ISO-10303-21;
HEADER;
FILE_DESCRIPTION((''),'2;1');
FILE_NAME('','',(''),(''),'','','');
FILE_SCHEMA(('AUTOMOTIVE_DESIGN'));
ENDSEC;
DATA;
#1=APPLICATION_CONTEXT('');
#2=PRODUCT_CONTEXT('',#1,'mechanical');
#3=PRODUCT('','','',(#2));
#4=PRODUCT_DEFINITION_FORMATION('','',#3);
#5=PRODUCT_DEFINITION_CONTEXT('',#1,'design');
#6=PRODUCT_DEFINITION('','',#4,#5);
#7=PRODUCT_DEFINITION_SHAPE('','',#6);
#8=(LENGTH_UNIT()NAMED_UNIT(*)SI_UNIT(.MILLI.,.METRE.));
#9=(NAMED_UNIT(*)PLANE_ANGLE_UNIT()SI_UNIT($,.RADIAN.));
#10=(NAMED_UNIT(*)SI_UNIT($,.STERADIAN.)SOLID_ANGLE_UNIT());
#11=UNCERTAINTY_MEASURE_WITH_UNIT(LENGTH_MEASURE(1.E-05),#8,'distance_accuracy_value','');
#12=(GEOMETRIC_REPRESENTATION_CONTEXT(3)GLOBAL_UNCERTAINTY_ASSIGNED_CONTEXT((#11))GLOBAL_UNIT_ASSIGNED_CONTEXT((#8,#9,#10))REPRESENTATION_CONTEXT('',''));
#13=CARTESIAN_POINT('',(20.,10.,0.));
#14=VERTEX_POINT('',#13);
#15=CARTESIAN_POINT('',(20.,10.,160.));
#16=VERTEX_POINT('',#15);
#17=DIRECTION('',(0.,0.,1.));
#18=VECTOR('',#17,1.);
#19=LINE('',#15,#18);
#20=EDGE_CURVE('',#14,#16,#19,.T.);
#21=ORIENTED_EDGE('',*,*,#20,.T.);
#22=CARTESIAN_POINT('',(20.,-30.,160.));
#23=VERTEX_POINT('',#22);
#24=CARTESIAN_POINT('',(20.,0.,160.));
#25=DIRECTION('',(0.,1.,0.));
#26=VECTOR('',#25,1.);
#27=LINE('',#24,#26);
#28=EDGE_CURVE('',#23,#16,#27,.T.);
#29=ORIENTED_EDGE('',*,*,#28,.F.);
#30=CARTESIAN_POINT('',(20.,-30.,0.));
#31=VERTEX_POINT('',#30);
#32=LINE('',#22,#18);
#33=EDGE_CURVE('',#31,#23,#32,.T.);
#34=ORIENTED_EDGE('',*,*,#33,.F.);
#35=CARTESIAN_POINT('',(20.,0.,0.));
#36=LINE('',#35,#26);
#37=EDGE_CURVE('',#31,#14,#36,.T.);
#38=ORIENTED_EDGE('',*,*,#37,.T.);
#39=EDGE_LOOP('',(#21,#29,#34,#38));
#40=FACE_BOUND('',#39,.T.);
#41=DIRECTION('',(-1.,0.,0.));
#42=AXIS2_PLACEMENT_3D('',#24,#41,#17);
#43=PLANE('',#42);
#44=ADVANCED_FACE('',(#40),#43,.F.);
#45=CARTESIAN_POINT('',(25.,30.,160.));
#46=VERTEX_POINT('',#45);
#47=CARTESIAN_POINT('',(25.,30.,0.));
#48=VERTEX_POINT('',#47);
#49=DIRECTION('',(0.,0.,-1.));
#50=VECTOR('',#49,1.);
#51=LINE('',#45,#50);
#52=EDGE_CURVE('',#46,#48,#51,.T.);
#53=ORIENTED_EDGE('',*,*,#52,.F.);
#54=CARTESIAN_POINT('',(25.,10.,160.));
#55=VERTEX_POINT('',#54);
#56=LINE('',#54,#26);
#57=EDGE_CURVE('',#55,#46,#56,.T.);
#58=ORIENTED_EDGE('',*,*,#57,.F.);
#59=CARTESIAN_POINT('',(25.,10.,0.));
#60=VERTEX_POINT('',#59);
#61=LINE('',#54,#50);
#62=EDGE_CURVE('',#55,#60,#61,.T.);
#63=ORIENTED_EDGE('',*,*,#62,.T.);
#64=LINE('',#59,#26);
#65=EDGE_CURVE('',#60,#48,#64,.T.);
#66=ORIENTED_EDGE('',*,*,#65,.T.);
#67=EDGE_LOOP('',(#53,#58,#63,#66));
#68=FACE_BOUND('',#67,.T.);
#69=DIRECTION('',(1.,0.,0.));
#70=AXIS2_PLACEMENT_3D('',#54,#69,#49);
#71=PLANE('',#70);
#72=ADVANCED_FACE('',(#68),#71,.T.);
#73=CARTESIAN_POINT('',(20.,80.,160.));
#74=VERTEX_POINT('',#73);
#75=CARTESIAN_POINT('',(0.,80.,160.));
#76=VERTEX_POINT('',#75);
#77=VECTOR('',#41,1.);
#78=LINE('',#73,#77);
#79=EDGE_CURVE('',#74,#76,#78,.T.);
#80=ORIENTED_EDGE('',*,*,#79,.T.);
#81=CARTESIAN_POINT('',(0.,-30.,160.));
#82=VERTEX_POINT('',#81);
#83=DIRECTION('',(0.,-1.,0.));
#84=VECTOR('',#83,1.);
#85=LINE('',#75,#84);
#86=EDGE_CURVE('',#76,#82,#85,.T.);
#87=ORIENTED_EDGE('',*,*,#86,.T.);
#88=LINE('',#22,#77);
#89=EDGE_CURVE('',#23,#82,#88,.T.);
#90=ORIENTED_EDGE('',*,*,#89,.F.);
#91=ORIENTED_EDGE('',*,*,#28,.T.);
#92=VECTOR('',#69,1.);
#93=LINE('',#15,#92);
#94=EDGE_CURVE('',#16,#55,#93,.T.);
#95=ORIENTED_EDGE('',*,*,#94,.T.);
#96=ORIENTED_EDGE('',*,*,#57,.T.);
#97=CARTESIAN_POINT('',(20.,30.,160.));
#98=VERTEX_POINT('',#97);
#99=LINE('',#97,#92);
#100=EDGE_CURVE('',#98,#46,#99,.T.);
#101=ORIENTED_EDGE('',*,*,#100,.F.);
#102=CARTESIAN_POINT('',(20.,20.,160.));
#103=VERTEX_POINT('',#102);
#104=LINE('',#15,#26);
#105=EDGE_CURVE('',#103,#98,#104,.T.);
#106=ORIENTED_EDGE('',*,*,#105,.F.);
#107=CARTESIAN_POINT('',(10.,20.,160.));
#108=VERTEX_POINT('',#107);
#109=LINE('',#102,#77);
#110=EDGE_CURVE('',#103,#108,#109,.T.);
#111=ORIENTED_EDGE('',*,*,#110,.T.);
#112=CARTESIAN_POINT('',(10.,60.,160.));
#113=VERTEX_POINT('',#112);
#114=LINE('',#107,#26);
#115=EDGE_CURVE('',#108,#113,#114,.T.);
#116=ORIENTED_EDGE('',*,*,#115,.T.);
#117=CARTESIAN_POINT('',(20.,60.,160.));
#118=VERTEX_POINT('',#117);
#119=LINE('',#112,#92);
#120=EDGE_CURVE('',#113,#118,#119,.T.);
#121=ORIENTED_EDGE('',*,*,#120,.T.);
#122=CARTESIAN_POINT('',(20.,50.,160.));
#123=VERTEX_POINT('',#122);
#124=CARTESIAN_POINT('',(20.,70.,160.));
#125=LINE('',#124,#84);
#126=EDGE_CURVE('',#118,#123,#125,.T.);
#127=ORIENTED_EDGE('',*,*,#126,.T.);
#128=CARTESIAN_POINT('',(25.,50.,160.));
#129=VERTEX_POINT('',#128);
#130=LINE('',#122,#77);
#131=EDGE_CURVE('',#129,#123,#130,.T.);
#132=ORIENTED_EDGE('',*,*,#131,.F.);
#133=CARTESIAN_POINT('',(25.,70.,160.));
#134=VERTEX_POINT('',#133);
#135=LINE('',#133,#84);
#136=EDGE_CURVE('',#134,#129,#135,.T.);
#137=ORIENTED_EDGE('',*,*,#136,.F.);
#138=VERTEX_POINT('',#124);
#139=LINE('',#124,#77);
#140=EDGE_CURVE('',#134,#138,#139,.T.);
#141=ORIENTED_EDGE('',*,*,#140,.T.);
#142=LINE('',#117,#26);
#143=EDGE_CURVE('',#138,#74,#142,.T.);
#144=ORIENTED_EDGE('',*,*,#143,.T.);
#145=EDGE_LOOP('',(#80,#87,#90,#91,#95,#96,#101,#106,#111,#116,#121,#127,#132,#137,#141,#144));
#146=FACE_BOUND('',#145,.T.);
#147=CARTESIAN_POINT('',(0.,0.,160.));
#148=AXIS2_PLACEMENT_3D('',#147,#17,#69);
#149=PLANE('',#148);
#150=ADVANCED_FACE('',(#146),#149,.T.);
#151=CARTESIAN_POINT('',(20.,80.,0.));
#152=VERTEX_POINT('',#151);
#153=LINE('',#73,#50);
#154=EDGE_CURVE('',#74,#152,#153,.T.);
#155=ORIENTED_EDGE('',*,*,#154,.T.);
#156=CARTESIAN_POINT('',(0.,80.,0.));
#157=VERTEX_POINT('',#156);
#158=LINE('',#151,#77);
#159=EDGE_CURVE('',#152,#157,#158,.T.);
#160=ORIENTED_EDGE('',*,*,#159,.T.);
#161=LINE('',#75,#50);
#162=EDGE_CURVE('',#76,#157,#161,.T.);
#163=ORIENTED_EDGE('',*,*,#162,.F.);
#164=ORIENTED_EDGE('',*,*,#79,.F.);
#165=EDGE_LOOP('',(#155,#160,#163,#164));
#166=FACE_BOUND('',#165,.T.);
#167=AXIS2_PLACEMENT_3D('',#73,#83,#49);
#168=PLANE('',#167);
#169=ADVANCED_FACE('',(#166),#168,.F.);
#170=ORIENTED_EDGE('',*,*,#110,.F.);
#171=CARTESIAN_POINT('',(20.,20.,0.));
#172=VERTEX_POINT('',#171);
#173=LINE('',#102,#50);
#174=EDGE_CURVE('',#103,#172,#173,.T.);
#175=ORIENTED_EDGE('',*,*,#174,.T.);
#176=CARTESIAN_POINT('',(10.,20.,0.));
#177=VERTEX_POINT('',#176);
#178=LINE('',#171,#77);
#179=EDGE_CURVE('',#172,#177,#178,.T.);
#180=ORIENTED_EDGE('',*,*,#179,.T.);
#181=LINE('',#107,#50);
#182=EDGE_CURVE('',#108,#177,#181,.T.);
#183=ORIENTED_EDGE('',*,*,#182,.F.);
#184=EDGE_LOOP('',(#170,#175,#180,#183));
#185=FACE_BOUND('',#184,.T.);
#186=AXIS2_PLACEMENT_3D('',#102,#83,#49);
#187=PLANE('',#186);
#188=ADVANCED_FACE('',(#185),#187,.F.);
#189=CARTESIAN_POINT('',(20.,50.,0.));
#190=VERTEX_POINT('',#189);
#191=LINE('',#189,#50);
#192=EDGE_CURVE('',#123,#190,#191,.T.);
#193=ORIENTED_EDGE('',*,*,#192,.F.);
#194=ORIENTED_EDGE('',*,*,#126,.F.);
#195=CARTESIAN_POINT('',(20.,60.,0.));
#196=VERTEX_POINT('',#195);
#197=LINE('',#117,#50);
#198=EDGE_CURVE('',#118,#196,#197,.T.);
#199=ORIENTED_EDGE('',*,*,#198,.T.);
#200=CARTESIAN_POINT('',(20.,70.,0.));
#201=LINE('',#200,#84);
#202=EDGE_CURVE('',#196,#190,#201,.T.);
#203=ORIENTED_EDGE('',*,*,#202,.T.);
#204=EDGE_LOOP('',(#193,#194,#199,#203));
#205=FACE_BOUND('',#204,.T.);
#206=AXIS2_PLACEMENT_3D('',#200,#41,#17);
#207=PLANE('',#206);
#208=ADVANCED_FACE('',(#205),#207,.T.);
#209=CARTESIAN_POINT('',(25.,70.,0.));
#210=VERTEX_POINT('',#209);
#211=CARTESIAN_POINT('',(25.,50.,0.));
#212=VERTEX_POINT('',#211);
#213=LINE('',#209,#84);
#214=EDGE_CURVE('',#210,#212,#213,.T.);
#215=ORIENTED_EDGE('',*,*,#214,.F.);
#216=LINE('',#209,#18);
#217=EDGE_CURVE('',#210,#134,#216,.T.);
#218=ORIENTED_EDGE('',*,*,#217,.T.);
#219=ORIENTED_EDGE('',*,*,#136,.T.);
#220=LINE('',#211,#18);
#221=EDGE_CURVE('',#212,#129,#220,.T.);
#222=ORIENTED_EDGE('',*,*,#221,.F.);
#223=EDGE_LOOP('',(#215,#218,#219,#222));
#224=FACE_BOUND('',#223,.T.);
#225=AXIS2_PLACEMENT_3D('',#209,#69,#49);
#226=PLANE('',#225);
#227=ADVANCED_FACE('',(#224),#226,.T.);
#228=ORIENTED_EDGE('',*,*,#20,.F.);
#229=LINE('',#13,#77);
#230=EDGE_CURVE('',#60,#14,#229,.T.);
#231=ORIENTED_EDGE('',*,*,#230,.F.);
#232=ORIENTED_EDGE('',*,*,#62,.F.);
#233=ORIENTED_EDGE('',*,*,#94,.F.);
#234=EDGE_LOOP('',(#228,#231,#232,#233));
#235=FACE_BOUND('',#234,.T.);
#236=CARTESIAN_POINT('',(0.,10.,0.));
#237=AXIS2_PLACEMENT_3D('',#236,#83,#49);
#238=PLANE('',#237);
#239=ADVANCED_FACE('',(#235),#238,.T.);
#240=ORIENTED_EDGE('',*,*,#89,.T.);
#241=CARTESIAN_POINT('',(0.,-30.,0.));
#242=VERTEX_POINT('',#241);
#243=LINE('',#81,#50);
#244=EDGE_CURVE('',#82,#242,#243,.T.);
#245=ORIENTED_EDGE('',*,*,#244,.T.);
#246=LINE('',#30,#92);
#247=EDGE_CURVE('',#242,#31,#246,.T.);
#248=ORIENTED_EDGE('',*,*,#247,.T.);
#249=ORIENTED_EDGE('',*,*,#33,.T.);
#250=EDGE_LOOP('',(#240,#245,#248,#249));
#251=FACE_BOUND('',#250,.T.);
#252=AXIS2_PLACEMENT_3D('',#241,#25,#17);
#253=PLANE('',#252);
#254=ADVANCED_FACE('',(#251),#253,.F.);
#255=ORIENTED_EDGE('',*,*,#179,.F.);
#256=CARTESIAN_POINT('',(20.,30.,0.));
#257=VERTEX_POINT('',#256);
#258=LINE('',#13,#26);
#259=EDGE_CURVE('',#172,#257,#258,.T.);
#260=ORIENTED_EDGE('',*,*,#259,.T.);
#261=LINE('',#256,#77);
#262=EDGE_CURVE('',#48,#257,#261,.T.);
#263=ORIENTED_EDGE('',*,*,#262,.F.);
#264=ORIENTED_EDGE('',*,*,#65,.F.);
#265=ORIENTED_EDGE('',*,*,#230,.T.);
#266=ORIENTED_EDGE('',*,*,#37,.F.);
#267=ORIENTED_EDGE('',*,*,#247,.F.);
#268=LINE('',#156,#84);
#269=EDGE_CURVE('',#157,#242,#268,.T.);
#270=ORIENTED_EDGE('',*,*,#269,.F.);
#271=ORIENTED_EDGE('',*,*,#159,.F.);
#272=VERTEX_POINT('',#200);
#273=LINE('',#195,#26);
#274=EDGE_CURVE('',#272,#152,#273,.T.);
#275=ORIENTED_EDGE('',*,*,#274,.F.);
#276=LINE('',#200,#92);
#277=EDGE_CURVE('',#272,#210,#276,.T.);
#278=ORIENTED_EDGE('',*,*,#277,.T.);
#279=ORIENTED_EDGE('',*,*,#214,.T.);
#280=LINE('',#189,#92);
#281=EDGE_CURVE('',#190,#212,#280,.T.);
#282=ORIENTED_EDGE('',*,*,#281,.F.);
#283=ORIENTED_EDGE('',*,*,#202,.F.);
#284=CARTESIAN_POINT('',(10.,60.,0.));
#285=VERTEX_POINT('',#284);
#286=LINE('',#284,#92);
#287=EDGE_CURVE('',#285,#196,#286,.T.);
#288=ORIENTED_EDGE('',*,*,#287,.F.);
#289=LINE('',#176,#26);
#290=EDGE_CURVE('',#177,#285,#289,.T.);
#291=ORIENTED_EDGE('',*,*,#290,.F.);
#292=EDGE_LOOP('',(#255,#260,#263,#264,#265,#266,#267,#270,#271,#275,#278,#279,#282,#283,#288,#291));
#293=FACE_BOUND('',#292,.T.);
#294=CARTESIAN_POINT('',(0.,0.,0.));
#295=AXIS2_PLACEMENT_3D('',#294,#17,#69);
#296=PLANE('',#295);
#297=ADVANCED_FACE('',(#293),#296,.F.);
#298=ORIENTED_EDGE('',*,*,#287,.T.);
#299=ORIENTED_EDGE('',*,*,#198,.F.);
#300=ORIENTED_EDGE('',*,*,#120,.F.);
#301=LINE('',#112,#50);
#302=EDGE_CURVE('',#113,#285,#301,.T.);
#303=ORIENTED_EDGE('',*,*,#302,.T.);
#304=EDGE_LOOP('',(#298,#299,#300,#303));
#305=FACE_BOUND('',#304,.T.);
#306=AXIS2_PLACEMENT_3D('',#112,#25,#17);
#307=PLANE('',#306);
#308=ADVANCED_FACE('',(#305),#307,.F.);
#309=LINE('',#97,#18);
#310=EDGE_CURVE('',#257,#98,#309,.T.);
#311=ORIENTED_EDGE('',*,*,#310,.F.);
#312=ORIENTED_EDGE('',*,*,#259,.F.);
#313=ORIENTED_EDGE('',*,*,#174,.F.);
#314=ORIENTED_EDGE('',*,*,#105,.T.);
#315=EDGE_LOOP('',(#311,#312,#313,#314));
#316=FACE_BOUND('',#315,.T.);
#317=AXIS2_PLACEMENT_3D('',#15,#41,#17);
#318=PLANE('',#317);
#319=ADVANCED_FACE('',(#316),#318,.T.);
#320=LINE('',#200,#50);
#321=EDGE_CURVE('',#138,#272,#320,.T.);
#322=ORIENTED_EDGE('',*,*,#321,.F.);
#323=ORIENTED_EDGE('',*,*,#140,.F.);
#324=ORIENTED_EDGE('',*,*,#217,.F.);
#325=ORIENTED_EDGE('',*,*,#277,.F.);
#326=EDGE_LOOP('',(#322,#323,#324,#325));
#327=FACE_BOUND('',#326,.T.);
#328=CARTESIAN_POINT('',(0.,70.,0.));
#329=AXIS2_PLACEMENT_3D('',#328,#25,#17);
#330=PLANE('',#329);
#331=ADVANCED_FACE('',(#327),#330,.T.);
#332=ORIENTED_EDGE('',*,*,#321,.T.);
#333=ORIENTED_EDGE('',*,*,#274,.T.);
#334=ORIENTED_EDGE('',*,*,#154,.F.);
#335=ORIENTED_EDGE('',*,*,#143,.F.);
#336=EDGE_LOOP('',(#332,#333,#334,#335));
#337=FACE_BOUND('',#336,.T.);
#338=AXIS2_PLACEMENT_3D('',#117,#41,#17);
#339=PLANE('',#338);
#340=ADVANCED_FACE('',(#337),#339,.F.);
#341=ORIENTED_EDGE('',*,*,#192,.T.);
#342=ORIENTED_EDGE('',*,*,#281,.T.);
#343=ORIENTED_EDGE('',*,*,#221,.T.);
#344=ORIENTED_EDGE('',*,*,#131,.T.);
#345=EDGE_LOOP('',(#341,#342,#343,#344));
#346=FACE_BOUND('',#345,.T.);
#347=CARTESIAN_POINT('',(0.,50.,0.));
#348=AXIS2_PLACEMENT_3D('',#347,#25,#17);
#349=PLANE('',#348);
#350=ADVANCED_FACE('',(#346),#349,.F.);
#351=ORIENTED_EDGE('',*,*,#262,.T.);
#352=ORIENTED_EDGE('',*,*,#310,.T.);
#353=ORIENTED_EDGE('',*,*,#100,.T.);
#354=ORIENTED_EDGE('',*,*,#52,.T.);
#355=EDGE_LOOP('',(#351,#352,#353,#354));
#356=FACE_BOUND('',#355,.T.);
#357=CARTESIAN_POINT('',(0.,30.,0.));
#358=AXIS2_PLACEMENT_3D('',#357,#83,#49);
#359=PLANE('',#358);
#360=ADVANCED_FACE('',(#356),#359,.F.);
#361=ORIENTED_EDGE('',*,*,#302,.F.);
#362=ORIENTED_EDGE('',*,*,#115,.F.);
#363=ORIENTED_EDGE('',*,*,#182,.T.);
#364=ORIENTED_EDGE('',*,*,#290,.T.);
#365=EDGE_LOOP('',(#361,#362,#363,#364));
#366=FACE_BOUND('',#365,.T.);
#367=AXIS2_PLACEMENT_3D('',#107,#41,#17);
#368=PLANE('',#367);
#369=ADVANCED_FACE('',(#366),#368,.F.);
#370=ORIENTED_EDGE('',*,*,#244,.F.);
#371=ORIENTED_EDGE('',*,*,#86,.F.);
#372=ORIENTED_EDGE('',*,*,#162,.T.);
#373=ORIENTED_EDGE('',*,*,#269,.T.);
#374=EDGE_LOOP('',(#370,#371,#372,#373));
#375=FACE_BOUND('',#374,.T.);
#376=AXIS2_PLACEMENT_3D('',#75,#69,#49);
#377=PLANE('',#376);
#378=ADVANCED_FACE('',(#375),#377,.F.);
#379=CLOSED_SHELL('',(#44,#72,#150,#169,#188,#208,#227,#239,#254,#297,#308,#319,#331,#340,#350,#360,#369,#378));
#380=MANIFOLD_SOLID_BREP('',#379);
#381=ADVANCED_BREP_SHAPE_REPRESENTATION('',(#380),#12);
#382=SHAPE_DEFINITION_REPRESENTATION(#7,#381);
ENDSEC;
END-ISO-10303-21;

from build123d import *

# Parameters (mm, degrees)
BOSS_EXTRUDE1_DEPTH      = 160
SKETCH2_W                = 20
SKETCH2_H                = 160
BOSS_EXTRUDE2_DEPTH      = 30
BOSS_EXTRUDE3_DEPTH      = 10
BOSS_EXTRUDE3_DEPTH_BACK = 10
SKETCH3_W                = 5
SKETCH3_H                = 160
BOSS_EXTRUDE4_DEPTH      = 10
BOSS_EXTRUDE4_DEPTH_BACK = 10
SKETCH4_W                = 5
SKETCH4_H                = 160


with BuildPart() as part:
    # Sketch1 → Boss-Extrude1 (new body)
    with BuildSketch(Plane.XY):
        Polygon((0, 0), (20, 0), (20, 20), (10, 20), (10, 60), (20, 60), (20, 80), (0, 80), align=None)
    extrude(amount=BOSS_EXTRUDE1_DEPTH)

    # Sketch2 → Boss-Extrude2 (add)
    with BuildSketch(Plane.XZ):
        with Locations((10, 80)):
            Rectangle(SKETCH2_W, SKETCH2_H)
    extrude(amount=BOSS_EXTRUDE2_DEPTH)

    # Sketch3 → Boss-Extrude3 (add, two sides: drawn at the far end of the back side and taken through both)
    with BuildSketch(Plane(origin=(0, 20, 0), x_dir=(1, 0, 0), z_dir=(0, 1, 0)).offset(-BOSS_EXTRUDE3_DEPTH_BACK)):
        with Locations((22.5, -80)):
            Rectangle(SKETCH3_W, SKETCH3_H)
    extrude(amount=BOSS_EXTRUDE3_DEPTH + BOSS_EXTRUDE3_DEPTH_BACK)

    # Sketch4 → Boss-Extrude4 (add, two sides: drawn at the far end of the back side and taken through both)
    with BuildSketch(Plane.XZ.offset(-60).offset(-BOSS_EXTRUDE4_DEPTH_BACK)):
        with Locations((22.5, 80)):
            Rectangle(SKETCH4_W, SKETCH4_H)
    extrude(amount=BOSS_EXTRUDE4_DEPTH + BOSS_EXTRUDE4_DEPTH_BACK)


solid = part.part
